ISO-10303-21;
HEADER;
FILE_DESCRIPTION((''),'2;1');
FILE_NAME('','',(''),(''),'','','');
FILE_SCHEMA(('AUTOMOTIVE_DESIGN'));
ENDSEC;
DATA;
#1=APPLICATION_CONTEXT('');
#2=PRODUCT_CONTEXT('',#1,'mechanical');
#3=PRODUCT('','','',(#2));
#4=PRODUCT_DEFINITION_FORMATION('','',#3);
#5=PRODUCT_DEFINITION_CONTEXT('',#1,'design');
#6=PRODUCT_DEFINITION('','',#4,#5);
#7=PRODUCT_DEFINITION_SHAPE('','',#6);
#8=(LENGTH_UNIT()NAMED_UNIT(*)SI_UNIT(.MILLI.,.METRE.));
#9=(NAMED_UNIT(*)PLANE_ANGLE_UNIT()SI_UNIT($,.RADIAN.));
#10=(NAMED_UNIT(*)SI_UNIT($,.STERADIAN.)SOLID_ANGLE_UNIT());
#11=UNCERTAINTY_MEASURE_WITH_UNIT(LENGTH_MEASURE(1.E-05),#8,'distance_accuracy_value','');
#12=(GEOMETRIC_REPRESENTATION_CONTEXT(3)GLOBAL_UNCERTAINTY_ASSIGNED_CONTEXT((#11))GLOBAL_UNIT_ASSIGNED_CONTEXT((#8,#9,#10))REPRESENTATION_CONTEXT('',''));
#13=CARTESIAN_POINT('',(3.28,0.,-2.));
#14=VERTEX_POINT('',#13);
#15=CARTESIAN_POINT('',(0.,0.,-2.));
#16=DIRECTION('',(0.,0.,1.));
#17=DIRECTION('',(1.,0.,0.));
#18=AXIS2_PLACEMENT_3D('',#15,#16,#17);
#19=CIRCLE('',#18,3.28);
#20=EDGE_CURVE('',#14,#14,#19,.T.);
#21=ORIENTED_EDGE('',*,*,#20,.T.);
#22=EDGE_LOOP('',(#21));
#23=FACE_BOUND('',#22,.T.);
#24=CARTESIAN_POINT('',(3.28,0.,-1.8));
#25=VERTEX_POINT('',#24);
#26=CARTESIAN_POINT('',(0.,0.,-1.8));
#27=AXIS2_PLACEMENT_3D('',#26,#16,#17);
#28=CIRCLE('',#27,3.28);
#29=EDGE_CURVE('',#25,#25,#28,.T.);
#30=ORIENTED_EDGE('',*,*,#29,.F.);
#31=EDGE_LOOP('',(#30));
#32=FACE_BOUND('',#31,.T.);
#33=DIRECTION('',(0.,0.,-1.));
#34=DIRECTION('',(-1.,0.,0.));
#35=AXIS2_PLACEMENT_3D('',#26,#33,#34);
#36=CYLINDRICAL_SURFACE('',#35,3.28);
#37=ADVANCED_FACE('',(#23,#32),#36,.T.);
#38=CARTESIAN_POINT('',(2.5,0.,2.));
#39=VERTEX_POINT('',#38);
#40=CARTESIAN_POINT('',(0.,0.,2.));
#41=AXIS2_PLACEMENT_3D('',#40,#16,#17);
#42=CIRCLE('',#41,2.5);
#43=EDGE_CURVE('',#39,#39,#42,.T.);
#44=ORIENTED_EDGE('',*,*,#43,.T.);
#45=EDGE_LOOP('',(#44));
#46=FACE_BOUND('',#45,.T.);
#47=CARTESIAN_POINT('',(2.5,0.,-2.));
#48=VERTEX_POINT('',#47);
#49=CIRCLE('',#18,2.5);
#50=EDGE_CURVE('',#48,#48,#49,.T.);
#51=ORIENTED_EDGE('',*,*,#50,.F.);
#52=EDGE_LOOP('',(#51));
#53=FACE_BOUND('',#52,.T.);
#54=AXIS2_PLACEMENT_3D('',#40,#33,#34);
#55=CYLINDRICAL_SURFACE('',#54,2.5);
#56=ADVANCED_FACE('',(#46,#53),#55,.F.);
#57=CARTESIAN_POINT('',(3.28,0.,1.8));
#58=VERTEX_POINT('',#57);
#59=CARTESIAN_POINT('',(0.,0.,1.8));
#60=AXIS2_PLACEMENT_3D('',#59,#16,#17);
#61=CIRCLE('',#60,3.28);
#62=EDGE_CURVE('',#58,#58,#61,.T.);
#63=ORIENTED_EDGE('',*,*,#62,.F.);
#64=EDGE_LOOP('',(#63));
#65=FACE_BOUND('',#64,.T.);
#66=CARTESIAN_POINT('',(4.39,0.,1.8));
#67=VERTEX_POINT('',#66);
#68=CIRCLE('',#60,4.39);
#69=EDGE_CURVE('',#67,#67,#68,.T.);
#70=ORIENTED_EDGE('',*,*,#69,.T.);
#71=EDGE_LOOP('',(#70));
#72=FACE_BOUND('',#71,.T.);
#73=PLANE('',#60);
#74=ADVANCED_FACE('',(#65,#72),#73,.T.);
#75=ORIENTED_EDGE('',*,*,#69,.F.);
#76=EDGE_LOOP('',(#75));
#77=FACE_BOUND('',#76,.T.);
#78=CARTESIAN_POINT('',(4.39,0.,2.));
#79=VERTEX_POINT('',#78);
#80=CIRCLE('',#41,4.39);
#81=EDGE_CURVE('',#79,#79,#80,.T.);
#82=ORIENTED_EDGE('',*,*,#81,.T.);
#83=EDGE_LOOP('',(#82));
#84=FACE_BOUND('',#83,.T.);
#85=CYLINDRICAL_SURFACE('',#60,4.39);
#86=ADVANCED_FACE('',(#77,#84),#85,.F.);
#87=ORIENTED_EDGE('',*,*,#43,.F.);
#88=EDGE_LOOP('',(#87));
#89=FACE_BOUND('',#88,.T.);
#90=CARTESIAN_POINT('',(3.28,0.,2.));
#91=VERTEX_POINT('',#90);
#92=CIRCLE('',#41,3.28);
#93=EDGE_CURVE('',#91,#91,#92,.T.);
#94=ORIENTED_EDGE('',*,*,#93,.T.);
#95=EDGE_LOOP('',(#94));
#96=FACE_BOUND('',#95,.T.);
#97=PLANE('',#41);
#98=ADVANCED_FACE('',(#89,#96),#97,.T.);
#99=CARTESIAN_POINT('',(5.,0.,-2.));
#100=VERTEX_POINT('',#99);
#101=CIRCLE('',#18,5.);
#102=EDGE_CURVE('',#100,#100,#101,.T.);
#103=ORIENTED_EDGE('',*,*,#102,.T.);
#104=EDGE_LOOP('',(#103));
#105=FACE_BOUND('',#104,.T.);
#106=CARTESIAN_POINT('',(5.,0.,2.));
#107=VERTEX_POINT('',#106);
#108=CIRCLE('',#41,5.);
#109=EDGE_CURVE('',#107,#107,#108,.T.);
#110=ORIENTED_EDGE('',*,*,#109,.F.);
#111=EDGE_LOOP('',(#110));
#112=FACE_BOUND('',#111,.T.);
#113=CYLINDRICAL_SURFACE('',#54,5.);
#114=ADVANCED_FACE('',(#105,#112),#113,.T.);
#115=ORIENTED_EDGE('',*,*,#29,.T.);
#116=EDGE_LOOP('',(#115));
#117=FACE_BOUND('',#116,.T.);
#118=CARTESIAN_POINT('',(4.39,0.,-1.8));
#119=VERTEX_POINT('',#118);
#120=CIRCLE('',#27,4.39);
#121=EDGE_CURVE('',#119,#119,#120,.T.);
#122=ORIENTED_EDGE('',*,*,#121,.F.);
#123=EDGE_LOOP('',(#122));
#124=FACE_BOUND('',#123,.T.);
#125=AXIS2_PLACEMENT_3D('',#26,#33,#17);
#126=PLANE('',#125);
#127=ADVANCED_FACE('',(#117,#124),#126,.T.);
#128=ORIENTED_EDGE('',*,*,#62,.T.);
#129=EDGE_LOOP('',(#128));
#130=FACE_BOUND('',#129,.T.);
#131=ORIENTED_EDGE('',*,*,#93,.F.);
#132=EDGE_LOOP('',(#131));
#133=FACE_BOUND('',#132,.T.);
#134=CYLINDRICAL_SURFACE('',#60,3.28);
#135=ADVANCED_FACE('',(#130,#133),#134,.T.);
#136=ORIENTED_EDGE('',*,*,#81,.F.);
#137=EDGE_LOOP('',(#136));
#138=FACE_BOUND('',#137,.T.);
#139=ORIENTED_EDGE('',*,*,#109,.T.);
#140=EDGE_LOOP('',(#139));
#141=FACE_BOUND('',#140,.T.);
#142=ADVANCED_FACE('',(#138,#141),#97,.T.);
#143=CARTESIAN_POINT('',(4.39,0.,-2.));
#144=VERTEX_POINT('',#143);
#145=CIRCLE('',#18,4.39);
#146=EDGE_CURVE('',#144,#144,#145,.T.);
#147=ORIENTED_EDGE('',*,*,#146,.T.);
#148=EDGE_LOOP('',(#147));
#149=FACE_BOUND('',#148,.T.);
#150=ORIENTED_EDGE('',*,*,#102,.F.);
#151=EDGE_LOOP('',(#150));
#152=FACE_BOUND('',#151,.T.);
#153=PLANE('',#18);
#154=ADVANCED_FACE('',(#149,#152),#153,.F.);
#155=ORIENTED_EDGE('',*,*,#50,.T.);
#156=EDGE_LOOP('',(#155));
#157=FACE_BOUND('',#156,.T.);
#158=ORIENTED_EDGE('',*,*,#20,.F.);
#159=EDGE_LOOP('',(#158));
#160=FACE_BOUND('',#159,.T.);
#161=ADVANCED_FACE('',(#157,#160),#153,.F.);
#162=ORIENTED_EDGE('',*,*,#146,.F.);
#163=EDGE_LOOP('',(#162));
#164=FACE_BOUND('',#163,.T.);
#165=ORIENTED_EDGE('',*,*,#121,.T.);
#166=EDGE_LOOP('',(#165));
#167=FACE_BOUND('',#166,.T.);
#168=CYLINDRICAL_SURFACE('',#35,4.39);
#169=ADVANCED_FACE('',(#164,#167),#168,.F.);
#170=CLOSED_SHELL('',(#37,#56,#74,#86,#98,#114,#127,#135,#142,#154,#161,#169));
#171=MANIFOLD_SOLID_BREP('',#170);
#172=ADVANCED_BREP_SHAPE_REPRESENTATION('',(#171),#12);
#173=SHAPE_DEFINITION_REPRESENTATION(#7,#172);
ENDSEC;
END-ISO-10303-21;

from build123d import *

# Parameters (mm, degrees)
SKETCH1_R           = 5
SKETCH1_R_2         = 2.5
BOSS_EXTRUDE1_DEPTH = 2
SKETCH2_R           = 4.39
SKETCH2_R_2         = 3.28
CUT_EXTRUDE1_DEPTH  = 0.2


with BuildPart() as part:
    # Sketch1 → Boss-Extrude1 (new body, symmetric)
    with BuildSketch(Plane.XY):
        Circle(SKETCH1_R)
        Circle(SKETCH1_R_2, mode=Mode.SUBTRACT)
    extrude(amount=BOSS_EXTRUDE1_DEPTH, both=True)

    # Sketch2 → Cut-Extrude1 (cut)
    with BuildSketch(Plane.XY.offset(2)):
        Circle(SKETCH2_R)
        Circle(SKETCH2_R_2, mode=Mode.SUBTRACT)
    cut_extrude1 = extrude(amount=-CUT_EXTRUDE1_DEPTH, mode=Mode.SUBTRACT)

    # Mirror1: Cut-Extrude1 across plane
    add(cut_extrude1.mirror(Plane.XY), mode=Mode.SUBTRACT)


solid = part.part
